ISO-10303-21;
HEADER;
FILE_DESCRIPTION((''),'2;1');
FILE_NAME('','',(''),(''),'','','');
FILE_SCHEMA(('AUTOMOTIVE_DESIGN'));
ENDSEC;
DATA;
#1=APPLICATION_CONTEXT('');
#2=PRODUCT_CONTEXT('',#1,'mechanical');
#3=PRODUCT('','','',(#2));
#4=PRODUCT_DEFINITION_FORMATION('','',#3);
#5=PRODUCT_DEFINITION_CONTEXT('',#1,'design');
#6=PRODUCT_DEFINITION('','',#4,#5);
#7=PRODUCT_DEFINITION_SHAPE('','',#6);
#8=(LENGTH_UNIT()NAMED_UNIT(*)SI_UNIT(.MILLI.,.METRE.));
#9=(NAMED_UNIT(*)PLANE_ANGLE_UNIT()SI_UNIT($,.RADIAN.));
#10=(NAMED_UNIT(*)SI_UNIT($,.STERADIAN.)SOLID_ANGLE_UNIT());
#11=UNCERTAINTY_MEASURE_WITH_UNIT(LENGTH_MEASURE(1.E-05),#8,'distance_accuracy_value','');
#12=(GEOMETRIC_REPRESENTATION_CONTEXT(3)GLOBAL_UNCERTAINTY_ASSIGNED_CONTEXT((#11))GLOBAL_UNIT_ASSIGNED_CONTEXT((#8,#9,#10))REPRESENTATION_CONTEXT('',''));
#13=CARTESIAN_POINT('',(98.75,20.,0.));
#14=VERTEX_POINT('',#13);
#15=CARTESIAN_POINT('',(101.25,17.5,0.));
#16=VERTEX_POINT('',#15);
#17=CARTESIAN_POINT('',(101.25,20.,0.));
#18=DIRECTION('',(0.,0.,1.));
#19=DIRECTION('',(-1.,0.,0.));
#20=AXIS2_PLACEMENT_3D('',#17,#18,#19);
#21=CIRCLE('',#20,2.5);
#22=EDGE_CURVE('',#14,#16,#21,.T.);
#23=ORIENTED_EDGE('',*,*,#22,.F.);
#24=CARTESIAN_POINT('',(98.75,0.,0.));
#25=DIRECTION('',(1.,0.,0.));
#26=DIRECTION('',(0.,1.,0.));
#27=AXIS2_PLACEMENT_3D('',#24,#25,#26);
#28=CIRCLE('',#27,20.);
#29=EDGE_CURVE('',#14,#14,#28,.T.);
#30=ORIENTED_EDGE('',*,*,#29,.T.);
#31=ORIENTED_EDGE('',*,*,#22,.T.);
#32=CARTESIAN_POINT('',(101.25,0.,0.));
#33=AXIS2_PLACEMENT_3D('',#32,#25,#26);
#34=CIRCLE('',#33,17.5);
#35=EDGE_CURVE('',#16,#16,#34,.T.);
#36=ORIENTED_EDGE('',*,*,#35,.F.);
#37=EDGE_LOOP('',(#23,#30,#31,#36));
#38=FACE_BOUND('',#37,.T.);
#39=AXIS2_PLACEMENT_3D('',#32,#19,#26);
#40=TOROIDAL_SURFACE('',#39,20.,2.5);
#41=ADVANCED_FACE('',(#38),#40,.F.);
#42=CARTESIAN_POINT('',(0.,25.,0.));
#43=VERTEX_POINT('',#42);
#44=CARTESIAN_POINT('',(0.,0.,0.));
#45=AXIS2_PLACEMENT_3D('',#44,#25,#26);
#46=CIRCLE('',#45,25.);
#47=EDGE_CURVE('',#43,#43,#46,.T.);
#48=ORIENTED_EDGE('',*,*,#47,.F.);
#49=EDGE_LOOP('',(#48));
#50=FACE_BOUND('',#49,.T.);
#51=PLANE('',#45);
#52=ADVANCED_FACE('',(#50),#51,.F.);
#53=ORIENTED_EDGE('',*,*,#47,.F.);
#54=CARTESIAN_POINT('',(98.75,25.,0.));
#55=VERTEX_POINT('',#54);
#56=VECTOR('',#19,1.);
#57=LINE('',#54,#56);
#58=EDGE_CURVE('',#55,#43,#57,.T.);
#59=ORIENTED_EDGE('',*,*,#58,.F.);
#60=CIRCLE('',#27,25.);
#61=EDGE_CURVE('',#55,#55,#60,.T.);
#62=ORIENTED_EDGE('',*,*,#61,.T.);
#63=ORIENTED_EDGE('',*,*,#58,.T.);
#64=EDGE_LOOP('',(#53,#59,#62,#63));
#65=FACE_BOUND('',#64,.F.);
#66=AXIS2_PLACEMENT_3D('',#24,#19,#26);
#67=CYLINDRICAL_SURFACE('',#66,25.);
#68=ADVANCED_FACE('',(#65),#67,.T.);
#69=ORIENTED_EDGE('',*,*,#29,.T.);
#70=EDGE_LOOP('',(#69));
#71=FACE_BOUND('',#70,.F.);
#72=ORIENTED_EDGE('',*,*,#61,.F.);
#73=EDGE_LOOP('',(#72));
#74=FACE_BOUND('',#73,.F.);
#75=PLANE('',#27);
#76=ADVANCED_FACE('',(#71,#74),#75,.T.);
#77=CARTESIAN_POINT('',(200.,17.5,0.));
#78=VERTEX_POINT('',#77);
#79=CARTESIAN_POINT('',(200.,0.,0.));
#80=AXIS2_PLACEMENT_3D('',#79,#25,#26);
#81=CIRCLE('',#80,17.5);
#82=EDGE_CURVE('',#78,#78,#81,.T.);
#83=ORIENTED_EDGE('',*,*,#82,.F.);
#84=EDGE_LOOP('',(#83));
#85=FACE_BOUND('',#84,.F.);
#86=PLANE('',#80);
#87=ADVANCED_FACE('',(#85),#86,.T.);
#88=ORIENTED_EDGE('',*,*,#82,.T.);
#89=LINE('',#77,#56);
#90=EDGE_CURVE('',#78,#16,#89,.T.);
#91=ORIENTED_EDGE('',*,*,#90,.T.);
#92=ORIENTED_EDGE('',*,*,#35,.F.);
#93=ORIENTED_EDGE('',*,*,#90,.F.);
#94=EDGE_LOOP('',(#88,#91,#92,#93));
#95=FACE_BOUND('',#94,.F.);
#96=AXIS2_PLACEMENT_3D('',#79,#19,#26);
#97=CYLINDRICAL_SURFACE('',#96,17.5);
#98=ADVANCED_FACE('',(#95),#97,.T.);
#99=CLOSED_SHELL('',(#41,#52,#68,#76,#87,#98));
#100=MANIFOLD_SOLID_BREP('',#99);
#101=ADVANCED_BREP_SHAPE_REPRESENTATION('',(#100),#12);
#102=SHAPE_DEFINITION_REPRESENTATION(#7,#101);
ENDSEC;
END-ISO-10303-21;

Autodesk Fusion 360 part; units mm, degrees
sketch "Sketch1" plane through (0, 0, 0) normal (0, 0, 1) x (1, 0, 0)
  line L0 (0, 0) -> (0, 25)
  line L1 (0, 0) -> (200, 0)
  line L2 (200, 0) -> (200, 17.5)
  line L3 (200, 17.5) -> (101.25, 17.5)
  arc A0 (98.75, 20) -> (101.25, 17.5) centre (101.25, 20) ccw
  line L4 (98.75, 20) -> (98.75, 25)
  line L5 (98.75, 25) -> (0, 25)
  line L6 (0, 0) -> (0, -25) construction
  line L7 (98.75, -25) -> (0, -25) construction
  line L8 (200, 0) -> (200, -17.5) construction
  line L9 (200, -17.5) -> (101.25, -17.5) construction
  arc A1 (101.25, -17.5) -> (98.75, -20) centre (101.25, -20) ccw construction
  line L10 (98.75, -20) -> (98.75, -25) construction
  dimension "Shoulder_Height" = 7.5
  dimension "Fillet_Radius" = 2.5
  dimension "Bar_Length" = 200
  dimension "Bar_Diameter" = 50
revolve "Revolve1" add sketch "Sketch1" angle 360 about axis through (0, 0, 0) along (1, 0, 0)
